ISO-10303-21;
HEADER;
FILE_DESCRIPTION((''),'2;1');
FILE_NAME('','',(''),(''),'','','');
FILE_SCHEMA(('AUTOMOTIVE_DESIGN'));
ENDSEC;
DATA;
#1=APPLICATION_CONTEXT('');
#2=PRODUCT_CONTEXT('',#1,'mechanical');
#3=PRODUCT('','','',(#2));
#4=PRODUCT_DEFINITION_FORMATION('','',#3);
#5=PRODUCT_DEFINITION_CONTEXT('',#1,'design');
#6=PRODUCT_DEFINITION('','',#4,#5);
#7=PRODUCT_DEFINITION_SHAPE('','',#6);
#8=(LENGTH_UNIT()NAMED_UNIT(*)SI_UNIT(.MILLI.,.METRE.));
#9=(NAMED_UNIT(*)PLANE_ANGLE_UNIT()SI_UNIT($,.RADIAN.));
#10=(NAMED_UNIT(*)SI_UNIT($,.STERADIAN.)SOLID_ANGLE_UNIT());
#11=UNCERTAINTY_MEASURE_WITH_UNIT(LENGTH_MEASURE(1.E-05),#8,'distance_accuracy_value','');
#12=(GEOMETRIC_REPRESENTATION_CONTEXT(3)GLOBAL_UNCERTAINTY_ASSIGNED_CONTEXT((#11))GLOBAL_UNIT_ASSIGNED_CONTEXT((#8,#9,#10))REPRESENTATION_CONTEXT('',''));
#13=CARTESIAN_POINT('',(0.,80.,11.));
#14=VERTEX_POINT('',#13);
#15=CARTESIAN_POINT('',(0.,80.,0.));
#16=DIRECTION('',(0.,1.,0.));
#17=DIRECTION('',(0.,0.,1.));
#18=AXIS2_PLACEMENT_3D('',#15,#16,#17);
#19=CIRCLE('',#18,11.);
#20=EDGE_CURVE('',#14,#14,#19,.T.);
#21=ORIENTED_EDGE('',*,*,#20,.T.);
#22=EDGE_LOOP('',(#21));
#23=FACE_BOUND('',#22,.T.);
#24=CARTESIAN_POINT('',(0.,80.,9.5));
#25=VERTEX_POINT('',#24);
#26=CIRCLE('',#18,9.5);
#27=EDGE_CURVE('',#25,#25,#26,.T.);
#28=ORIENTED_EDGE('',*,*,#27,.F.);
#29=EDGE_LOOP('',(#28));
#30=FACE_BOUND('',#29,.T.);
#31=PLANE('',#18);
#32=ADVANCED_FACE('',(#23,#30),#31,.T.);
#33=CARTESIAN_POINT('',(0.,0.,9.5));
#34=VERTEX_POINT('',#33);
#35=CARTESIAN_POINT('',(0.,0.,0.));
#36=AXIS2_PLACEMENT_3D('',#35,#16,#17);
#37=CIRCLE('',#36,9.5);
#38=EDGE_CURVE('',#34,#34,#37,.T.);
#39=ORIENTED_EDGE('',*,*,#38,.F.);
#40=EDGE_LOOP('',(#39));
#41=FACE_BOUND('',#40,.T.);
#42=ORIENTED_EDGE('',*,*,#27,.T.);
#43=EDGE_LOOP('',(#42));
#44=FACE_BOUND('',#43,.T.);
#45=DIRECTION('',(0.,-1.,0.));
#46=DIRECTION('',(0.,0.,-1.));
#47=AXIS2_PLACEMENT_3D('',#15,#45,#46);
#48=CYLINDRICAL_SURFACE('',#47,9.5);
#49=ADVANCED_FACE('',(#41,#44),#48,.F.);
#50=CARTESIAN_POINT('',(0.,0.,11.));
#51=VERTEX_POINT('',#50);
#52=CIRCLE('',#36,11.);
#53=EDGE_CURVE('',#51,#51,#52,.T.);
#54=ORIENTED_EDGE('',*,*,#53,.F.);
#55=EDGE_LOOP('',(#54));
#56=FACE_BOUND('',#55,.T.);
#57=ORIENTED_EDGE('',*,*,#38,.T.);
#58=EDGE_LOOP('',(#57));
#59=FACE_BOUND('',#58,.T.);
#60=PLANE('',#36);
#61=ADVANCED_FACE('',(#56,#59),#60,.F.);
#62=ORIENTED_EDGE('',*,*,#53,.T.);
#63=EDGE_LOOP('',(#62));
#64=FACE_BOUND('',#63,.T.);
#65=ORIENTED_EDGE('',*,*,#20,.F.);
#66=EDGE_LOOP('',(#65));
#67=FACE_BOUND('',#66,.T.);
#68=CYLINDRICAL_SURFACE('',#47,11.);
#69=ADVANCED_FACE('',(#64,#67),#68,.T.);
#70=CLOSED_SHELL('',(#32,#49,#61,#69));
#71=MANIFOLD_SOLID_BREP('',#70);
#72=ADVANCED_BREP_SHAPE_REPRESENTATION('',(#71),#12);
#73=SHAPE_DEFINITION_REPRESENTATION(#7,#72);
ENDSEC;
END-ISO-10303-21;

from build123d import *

# Parameters (mm, degrees)
SKETCH1_R           = 11
SKETCH1_R_2         = 9.5
BOSS_EXTRUDE1_DEPTH = 80


with BuildPart() as part:
    # Sketch1 → Boss-Extrude1 (new body)
    with BuildSketch(Plane(origin=(0, 0, 0), x_dir=(1, 0, 0), z_dir=(0, 1, 0))):
        with Locations(Location((0, 0, 0), (0, 0, 270))):
            Circle(SKETCH1_R)
        with Locations(Location((0, 0, 0), (0, 0, 270))):
            Circle(SKETCH1_R_2, mode=Mode.SUBTRACT)
    extrude(amount=BOSS_EXTRUDE1_DEPTH)


solid = part.part
